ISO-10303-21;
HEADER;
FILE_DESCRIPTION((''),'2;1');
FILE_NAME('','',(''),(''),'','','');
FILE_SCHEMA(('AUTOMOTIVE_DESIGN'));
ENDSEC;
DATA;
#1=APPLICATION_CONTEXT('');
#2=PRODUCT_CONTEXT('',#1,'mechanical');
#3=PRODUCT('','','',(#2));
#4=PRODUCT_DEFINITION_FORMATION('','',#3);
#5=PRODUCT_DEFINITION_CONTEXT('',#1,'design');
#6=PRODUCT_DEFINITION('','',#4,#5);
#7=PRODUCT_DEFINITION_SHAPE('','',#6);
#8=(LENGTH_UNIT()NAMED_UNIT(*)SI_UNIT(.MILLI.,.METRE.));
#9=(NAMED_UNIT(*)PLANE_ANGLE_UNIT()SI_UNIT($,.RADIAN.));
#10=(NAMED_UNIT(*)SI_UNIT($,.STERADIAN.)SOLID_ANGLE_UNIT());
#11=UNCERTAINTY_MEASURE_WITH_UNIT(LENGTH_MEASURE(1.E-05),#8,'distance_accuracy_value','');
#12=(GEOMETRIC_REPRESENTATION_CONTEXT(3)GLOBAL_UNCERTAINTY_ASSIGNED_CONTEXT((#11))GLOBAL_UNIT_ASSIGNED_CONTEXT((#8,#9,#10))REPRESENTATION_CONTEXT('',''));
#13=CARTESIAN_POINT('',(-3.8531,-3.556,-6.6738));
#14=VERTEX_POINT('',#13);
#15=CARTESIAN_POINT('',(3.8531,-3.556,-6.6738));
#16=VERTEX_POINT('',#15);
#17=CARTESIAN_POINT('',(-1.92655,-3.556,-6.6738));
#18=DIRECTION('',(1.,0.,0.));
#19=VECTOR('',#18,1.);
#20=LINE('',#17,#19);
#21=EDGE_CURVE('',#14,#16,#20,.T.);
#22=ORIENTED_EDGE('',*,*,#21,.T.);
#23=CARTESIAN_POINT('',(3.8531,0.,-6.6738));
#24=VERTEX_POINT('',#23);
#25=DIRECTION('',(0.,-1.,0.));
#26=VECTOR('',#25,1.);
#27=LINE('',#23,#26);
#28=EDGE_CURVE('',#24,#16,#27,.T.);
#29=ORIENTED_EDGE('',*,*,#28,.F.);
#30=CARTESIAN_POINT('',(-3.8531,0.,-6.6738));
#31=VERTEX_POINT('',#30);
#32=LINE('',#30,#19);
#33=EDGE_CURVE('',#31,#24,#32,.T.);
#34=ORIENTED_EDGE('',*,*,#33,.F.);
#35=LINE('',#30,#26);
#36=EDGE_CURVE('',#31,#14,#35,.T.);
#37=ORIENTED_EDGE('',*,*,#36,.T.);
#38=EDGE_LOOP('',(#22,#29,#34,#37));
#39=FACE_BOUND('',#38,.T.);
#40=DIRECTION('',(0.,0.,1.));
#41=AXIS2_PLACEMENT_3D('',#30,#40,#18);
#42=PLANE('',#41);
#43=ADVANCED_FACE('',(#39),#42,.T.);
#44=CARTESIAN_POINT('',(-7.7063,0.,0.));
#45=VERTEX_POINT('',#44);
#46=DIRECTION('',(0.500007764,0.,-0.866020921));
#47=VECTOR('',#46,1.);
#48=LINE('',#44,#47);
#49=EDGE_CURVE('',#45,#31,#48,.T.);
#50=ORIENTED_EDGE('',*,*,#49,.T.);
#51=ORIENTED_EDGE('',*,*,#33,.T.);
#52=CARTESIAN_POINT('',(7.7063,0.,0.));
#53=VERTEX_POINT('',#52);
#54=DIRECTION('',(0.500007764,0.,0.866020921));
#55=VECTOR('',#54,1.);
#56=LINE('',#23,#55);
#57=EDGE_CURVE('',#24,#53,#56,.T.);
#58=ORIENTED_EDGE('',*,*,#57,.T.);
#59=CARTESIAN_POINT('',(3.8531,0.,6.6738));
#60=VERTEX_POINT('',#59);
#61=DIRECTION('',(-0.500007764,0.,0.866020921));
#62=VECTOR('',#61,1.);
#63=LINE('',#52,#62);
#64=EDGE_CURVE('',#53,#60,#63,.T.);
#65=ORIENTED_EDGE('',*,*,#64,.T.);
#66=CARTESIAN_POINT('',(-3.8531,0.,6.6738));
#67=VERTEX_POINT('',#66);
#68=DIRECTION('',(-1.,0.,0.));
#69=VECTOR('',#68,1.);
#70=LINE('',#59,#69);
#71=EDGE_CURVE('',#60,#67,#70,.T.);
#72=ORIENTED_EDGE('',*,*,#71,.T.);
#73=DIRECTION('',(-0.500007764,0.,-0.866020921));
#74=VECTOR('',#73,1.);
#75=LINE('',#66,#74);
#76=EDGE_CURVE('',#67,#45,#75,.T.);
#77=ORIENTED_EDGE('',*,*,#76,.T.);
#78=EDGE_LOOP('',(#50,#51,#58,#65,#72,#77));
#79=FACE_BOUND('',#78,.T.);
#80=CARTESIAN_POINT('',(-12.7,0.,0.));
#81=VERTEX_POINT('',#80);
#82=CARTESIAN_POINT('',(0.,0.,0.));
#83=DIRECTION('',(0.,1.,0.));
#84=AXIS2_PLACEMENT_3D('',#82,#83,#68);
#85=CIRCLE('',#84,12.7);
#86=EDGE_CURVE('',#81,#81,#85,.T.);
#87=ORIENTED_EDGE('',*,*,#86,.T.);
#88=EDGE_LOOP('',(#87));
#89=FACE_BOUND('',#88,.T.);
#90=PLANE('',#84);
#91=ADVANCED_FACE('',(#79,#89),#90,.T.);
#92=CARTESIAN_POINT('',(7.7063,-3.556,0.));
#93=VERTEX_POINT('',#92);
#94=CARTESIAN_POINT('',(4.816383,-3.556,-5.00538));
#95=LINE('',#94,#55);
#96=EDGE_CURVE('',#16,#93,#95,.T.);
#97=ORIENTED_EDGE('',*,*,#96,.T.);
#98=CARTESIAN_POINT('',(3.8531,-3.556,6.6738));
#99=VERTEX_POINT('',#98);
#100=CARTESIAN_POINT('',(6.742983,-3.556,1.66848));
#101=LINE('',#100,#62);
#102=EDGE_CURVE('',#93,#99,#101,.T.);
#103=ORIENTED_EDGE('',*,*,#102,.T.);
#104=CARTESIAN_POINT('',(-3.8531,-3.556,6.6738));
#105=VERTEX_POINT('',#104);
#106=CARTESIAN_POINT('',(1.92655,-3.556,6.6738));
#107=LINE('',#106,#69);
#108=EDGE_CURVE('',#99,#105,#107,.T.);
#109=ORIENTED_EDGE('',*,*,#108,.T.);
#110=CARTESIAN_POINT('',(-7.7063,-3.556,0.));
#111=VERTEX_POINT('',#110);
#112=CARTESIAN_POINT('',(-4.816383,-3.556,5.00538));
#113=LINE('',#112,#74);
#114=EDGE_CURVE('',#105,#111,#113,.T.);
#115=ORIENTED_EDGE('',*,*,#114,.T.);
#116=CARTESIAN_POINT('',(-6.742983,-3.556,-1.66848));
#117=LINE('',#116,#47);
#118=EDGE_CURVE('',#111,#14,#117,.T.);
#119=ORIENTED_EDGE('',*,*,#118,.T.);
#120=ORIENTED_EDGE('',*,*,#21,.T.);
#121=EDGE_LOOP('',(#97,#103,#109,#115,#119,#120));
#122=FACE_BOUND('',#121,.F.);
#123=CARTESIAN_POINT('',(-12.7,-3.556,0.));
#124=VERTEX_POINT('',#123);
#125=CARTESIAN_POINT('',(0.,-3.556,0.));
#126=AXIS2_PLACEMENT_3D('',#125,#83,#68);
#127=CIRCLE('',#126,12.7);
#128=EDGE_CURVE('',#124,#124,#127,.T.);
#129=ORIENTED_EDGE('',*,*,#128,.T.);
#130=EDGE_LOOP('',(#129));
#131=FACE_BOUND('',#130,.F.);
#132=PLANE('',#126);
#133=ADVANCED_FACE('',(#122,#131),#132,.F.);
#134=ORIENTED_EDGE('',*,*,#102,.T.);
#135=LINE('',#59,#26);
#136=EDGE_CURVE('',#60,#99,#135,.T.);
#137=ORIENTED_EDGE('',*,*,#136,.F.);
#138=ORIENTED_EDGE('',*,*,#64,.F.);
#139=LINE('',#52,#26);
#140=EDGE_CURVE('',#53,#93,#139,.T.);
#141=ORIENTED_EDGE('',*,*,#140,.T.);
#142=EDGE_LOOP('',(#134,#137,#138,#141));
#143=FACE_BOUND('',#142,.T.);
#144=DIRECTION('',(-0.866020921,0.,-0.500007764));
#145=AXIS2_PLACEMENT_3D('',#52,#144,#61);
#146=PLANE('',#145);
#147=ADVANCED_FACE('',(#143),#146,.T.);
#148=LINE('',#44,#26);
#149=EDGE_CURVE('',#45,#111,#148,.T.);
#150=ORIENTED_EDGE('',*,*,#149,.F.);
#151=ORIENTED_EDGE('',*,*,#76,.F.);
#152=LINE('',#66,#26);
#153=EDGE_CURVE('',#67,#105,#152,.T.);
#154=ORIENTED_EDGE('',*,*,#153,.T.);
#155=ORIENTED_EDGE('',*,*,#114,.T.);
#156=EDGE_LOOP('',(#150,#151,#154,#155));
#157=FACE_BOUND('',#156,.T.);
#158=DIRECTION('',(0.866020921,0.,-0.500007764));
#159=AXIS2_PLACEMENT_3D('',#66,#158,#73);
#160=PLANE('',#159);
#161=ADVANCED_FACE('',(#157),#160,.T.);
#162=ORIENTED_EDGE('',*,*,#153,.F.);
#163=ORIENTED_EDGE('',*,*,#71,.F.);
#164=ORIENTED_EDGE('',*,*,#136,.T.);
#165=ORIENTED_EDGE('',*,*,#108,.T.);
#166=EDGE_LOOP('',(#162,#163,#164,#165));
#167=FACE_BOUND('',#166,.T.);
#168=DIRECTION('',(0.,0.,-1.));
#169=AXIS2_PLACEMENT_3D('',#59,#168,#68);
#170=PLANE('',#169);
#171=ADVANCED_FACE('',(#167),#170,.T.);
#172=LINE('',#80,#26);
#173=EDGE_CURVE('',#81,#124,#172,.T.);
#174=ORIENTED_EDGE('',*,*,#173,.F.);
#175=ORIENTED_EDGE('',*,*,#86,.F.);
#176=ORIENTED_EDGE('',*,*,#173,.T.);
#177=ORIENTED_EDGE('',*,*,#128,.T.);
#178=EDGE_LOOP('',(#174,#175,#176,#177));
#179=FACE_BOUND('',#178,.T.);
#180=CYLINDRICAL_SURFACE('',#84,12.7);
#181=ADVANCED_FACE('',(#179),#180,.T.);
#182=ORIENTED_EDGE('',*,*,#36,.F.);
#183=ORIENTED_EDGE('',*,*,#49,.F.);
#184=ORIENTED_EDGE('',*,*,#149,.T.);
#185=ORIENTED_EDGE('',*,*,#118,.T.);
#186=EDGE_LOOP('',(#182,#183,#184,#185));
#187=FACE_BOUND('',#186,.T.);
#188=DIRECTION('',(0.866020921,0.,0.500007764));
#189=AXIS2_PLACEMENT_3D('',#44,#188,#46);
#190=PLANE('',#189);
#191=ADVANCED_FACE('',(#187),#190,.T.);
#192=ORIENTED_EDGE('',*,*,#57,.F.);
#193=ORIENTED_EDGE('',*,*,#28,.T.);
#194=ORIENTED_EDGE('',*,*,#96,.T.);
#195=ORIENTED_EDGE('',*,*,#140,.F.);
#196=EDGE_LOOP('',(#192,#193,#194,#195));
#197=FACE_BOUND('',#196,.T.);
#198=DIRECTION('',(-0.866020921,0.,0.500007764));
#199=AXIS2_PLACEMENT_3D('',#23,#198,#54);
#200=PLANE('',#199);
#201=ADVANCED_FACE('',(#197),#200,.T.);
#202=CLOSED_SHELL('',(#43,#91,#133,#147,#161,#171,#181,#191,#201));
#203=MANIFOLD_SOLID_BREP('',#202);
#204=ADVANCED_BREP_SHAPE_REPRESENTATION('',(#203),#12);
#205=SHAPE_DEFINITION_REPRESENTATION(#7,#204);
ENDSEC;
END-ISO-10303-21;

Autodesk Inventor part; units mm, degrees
ref_plane "YZ Plane" through (0, 0, 0) normal (1, 0, 0) x (0, 1, 0)
ref_plane "XZ Plane" through (0, 0, 0) normal (0, 1, 0) x (-1, 0, 0)
ref_plane "XY Plane" through (0, 0, 0) normal (0, 0, 1) x (1, 0, 0)
sketch "Sketch1" plane through (0, 0, 0) normal (0, 1, 0) x (-1, 0, 0)
  circle A0 centre (0, 0) radius 12.7
  dimension "od" = 25.4
extrude "Extrusion1" add sketch "Sketch1" against normal blind 3.556
sketch "Sketch2" plane through (0, 0, 0) normal (0, 1, 0) x (1, 0, 0)
  line L0 (-7.7063, 0) -> (-3.8531, 6.6738)
  line L1 (-3.8531, 6.6738) -> (3.8531, 6.6738)
  line L2 (3.8531, 6.6738) -> (7.7063, 0)
  line L3 (7.7063, 0) -> (3.8531, -6.6738)
  line L4 (3.8531, -6.6738) -> (-3.8531, -6.6738)
  line L5 (-3.8531, -6.6738) -> (-7.7063, 0)
  point P0 (0, 0)
  point P1 (0, 0)
  dimension "d3" = 13.3477
extrude "Extrusion2" cut sketch "Sketch2" against normal through all
properties part number "spacerForWasher"
